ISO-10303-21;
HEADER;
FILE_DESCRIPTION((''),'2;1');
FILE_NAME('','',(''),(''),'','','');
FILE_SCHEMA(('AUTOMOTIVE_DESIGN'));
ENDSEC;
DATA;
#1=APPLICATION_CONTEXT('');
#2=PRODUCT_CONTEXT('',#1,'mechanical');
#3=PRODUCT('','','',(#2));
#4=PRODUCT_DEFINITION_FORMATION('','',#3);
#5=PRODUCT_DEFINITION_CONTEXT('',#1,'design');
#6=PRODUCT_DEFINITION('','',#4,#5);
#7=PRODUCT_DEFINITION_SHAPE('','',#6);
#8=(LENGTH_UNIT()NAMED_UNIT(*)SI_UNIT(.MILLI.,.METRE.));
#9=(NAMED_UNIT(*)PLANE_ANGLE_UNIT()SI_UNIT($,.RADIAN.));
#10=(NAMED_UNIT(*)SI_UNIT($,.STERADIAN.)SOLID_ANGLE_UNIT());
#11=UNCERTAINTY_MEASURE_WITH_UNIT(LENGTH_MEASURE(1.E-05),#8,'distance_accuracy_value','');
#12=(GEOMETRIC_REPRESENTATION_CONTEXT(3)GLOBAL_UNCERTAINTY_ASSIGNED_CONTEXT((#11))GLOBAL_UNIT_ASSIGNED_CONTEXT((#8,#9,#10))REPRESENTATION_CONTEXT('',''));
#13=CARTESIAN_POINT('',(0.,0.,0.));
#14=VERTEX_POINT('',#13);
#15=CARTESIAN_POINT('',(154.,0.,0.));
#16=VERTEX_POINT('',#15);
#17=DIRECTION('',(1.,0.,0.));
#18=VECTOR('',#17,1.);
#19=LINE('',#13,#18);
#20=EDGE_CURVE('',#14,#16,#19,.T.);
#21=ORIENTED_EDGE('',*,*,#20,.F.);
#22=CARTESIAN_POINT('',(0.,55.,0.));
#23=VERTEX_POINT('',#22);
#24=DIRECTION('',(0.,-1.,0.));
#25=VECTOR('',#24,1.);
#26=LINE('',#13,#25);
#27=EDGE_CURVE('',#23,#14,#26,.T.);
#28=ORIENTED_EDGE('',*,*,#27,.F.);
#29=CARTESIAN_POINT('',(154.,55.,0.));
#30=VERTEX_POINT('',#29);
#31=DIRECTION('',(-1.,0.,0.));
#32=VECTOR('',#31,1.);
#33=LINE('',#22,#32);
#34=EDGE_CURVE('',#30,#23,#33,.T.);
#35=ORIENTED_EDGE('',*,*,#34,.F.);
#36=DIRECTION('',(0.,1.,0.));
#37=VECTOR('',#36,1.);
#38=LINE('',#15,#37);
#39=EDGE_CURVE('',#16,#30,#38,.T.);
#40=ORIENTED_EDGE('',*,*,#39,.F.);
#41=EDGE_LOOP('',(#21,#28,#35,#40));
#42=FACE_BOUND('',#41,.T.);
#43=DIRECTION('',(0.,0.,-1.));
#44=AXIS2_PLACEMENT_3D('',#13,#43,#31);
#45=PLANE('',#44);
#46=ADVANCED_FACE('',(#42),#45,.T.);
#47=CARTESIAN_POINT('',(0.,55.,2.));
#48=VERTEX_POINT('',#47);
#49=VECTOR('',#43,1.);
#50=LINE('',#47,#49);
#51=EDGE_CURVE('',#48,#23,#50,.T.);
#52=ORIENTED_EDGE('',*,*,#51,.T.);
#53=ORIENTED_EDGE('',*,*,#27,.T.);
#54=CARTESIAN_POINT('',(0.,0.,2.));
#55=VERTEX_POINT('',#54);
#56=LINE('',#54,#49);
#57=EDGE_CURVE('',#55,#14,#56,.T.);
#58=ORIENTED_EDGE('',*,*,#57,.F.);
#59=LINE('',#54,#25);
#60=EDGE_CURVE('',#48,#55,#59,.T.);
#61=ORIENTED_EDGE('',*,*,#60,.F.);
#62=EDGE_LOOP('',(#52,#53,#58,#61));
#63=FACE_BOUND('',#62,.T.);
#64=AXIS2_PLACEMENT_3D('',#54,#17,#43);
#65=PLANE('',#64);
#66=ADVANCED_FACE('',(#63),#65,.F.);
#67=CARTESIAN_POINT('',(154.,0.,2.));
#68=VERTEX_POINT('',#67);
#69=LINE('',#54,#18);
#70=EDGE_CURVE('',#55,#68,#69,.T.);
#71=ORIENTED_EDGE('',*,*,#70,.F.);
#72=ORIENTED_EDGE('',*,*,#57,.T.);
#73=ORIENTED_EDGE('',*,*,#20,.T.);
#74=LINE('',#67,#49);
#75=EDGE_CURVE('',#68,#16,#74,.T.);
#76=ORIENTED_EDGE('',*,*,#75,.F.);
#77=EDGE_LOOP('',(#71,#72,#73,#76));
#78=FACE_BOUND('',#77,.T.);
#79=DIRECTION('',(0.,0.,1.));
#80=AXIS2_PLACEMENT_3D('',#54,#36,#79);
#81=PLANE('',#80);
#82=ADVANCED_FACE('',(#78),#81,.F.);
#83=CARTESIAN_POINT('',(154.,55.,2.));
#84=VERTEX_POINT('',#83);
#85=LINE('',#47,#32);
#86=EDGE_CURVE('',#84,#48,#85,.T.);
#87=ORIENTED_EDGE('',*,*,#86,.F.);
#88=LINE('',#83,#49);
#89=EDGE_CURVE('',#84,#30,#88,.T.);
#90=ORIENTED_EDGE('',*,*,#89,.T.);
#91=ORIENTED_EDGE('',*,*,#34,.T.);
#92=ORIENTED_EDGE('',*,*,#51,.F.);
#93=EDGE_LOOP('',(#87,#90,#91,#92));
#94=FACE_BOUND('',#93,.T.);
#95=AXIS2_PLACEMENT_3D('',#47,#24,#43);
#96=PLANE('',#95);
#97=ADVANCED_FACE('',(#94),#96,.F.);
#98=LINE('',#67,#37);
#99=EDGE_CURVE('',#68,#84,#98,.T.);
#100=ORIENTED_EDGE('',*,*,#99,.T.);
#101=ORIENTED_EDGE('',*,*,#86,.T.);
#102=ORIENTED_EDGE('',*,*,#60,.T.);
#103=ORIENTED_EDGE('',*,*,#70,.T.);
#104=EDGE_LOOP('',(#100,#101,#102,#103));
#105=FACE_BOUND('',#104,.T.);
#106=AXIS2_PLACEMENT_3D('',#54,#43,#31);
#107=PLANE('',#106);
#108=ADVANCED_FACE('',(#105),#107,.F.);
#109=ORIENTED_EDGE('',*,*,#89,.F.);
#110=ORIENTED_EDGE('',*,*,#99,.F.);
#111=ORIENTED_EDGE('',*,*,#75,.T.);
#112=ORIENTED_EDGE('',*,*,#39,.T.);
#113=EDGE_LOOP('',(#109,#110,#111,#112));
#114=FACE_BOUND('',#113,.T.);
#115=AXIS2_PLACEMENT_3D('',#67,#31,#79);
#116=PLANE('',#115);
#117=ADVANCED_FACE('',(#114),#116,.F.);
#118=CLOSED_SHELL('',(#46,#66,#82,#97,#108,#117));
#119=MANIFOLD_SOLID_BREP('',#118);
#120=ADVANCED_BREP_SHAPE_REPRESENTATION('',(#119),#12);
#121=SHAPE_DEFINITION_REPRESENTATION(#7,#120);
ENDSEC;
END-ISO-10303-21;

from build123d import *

# Parameters (mm, degrees)
SKETCH1_W     = 154
SKETCH1_H     = 55
PROFILE_DEPTH = 2


with BuildPart() as part:
    # Sketch1 → Profile (new body)
    with BuildSketch(Plane.XY):
        with Locations((77, 27.5)):
            Rectangle(SKETCH1_W, SKETCH1_H)
    extrude(amount=PROFILE_DEPTH)


solid = part.part
